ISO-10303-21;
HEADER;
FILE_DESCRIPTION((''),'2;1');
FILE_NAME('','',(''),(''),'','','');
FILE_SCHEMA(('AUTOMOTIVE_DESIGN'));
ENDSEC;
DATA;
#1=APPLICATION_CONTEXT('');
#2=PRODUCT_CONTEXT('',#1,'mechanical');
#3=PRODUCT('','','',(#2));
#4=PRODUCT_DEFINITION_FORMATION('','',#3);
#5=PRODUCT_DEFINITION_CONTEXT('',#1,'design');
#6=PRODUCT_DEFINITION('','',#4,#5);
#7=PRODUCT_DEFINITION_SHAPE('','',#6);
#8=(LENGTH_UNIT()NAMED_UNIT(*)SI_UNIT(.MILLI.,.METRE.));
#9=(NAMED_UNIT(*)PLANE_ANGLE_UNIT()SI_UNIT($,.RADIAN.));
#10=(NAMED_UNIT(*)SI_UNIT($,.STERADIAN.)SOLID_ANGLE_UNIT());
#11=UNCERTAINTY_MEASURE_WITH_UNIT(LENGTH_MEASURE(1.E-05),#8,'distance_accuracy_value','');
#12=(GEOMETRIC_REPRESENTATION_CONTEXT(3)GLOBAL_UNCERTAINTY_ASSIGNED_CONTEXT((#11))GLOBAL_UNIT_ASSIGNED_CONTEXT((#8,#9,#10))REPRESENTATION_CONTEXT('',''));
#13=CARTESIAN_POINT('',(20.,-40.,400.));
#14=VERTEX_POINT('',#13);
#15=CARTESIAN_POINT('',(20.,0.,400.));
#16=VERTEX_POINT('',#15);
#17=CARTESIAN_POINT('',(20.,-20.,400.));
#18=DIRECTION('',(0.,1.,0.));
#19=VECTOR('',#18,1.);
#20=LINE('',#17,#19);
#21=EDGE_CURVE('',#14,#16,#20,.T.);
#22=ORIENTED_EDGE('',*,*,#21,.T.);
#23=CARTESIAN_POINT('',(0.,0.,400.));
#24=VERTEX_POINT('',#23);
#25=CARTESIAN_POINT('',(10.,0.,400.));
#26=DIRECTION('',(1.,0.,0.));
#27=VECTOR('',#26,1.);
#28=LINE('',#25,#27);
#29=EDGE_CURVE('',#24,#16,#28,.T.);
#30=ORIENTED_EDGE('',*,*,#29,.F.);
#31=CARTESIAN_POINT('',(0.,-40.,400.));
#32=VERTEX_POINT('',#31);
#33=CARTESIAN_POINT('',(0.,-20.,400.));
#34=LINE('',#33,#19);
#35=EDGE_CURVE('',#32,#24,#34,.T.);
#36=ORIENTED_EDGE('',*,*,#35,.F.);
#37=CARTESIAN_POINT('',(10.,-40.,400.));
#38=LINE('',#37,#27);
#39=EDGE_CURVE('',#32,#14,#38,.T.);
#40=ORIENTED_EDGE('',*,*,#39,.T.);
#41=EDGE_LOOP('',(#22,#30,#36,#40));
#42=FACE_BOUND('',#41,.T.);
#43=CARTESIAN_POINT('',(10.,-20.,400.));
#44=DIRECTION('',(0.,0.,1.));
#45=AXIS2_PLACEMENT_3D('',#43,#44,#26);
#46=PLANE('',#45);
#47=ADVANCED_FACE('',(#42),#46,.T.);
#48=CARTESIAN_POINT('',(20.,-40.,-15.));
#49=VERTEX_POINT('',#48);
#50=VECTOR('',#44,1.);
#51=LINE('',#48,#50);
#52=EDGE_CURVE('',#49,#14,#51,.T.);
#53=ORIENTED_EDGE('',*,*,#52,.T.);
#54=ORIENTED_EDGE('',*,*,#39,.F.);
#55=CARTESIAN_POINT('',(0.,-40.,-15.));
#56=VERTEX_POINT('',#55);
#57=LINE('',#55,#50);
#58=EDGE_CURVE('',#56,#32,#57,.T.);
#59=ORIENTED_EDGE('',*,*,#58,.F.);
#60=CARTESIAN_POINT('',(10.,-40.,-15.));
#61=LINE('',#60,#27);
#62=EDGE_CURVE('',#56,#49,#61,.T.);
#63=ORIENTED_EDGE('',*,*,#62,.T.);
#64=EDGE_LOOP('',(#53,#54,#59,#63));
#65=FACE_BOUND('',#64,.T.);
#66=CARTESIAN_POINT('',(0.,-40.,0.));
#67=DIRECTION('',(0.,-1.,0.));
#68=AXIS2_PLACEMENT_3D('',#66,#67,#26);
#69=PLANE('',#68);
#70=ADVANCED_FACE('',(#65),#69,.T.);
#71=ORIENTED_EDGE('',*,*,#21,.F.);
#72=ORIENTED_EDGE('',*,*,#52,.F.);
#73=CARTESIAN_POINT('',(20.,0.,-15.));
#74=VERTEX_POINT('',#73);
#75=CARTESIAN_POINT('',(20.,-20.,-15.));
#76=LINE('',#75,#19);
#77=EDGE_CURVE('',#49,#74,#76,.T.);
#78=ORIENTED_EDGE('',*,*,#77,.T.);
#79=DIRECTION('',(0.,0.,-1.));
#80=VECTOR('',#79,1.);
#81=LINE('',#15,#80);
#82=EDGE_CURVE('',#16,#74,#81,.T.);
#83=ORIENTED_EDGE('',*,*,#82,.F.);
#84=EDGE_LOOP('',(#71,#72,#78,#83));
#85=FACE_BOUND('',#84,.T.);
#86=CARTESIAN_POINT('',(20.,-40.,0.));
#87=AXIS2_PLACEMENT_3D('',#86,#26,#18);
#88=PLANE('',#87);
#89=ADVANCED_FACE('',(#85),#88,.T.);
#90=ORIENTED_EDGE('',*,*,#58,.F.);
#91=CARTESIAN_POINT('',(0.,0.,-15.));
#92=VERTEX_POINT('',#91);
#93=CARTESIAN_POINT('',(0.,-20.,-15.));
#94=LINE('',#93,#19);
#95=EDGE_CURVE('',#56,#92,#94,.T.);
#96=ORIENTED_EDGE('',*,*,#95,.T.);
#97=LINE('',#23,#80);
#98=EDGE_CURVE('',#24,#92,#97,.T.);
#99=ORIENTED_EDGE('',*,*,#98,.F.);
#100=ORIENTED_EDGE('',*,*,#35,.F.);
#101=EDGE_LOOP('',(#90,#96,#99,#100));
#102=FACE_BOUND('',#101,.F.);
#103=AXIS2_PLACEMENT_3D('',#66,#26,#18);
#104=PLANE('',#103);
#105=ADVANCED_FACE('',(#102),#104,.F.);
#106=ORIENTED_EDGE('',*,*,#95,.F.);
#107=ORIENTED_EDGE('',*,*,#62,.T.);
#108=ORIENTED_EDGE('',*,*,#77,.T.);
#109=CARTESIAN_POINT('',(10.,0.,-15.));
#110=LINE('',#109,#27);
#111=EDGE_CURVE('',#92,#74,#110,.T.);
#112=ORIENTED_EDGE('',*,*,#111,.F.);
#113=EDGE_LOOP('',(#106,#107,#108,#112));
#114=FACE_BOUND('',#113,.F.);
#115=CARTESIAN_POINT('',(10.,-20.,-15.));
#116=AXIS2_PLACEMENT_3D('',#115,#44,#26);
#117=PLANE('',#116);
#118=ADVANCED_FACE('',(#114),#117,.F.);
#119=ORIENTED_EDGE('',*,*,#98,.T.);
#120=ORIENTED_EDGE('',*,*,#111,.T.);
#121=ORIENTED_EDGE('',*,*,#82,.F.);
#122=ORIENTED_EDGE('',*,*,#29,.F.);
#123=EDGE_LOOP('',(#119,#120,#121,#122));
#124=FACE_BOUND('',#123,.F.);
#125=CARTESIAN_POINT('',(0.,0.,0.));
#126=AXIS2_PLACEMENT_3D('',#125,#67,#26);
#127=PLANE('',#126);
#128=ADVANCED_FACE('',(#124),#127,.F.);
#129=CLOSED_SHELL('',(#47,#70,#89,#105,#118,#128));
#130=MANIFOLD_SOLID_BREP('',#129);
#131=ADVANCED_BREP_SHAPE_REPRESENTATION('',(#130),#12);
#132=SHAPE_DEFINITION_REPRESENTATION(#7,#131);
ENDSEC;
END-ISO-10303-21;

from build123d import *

# Parameters (mm, degrees)
F0_W     = 20
F0_H     = 40
F1_DEPTH = 400
F2_DEPTH = 15


with BuildPart() as f1:
    # F0 (on Top) → F1 (new body)
    with BuildSketch(Plane.XY):
        with Locations((10, -20)):
            Rectangle(F0_W, F0_H)
    extrude(amount=F1_DEPTH)

    # F0 (on Top) → F2 (join)
    with BuildSketch(Plane.XY):
        with Locations((10, -20)):
            Rectangle(F0_W, F0_H)
    extrude(amount=-F2_DEPTH)


solid = f1.part
